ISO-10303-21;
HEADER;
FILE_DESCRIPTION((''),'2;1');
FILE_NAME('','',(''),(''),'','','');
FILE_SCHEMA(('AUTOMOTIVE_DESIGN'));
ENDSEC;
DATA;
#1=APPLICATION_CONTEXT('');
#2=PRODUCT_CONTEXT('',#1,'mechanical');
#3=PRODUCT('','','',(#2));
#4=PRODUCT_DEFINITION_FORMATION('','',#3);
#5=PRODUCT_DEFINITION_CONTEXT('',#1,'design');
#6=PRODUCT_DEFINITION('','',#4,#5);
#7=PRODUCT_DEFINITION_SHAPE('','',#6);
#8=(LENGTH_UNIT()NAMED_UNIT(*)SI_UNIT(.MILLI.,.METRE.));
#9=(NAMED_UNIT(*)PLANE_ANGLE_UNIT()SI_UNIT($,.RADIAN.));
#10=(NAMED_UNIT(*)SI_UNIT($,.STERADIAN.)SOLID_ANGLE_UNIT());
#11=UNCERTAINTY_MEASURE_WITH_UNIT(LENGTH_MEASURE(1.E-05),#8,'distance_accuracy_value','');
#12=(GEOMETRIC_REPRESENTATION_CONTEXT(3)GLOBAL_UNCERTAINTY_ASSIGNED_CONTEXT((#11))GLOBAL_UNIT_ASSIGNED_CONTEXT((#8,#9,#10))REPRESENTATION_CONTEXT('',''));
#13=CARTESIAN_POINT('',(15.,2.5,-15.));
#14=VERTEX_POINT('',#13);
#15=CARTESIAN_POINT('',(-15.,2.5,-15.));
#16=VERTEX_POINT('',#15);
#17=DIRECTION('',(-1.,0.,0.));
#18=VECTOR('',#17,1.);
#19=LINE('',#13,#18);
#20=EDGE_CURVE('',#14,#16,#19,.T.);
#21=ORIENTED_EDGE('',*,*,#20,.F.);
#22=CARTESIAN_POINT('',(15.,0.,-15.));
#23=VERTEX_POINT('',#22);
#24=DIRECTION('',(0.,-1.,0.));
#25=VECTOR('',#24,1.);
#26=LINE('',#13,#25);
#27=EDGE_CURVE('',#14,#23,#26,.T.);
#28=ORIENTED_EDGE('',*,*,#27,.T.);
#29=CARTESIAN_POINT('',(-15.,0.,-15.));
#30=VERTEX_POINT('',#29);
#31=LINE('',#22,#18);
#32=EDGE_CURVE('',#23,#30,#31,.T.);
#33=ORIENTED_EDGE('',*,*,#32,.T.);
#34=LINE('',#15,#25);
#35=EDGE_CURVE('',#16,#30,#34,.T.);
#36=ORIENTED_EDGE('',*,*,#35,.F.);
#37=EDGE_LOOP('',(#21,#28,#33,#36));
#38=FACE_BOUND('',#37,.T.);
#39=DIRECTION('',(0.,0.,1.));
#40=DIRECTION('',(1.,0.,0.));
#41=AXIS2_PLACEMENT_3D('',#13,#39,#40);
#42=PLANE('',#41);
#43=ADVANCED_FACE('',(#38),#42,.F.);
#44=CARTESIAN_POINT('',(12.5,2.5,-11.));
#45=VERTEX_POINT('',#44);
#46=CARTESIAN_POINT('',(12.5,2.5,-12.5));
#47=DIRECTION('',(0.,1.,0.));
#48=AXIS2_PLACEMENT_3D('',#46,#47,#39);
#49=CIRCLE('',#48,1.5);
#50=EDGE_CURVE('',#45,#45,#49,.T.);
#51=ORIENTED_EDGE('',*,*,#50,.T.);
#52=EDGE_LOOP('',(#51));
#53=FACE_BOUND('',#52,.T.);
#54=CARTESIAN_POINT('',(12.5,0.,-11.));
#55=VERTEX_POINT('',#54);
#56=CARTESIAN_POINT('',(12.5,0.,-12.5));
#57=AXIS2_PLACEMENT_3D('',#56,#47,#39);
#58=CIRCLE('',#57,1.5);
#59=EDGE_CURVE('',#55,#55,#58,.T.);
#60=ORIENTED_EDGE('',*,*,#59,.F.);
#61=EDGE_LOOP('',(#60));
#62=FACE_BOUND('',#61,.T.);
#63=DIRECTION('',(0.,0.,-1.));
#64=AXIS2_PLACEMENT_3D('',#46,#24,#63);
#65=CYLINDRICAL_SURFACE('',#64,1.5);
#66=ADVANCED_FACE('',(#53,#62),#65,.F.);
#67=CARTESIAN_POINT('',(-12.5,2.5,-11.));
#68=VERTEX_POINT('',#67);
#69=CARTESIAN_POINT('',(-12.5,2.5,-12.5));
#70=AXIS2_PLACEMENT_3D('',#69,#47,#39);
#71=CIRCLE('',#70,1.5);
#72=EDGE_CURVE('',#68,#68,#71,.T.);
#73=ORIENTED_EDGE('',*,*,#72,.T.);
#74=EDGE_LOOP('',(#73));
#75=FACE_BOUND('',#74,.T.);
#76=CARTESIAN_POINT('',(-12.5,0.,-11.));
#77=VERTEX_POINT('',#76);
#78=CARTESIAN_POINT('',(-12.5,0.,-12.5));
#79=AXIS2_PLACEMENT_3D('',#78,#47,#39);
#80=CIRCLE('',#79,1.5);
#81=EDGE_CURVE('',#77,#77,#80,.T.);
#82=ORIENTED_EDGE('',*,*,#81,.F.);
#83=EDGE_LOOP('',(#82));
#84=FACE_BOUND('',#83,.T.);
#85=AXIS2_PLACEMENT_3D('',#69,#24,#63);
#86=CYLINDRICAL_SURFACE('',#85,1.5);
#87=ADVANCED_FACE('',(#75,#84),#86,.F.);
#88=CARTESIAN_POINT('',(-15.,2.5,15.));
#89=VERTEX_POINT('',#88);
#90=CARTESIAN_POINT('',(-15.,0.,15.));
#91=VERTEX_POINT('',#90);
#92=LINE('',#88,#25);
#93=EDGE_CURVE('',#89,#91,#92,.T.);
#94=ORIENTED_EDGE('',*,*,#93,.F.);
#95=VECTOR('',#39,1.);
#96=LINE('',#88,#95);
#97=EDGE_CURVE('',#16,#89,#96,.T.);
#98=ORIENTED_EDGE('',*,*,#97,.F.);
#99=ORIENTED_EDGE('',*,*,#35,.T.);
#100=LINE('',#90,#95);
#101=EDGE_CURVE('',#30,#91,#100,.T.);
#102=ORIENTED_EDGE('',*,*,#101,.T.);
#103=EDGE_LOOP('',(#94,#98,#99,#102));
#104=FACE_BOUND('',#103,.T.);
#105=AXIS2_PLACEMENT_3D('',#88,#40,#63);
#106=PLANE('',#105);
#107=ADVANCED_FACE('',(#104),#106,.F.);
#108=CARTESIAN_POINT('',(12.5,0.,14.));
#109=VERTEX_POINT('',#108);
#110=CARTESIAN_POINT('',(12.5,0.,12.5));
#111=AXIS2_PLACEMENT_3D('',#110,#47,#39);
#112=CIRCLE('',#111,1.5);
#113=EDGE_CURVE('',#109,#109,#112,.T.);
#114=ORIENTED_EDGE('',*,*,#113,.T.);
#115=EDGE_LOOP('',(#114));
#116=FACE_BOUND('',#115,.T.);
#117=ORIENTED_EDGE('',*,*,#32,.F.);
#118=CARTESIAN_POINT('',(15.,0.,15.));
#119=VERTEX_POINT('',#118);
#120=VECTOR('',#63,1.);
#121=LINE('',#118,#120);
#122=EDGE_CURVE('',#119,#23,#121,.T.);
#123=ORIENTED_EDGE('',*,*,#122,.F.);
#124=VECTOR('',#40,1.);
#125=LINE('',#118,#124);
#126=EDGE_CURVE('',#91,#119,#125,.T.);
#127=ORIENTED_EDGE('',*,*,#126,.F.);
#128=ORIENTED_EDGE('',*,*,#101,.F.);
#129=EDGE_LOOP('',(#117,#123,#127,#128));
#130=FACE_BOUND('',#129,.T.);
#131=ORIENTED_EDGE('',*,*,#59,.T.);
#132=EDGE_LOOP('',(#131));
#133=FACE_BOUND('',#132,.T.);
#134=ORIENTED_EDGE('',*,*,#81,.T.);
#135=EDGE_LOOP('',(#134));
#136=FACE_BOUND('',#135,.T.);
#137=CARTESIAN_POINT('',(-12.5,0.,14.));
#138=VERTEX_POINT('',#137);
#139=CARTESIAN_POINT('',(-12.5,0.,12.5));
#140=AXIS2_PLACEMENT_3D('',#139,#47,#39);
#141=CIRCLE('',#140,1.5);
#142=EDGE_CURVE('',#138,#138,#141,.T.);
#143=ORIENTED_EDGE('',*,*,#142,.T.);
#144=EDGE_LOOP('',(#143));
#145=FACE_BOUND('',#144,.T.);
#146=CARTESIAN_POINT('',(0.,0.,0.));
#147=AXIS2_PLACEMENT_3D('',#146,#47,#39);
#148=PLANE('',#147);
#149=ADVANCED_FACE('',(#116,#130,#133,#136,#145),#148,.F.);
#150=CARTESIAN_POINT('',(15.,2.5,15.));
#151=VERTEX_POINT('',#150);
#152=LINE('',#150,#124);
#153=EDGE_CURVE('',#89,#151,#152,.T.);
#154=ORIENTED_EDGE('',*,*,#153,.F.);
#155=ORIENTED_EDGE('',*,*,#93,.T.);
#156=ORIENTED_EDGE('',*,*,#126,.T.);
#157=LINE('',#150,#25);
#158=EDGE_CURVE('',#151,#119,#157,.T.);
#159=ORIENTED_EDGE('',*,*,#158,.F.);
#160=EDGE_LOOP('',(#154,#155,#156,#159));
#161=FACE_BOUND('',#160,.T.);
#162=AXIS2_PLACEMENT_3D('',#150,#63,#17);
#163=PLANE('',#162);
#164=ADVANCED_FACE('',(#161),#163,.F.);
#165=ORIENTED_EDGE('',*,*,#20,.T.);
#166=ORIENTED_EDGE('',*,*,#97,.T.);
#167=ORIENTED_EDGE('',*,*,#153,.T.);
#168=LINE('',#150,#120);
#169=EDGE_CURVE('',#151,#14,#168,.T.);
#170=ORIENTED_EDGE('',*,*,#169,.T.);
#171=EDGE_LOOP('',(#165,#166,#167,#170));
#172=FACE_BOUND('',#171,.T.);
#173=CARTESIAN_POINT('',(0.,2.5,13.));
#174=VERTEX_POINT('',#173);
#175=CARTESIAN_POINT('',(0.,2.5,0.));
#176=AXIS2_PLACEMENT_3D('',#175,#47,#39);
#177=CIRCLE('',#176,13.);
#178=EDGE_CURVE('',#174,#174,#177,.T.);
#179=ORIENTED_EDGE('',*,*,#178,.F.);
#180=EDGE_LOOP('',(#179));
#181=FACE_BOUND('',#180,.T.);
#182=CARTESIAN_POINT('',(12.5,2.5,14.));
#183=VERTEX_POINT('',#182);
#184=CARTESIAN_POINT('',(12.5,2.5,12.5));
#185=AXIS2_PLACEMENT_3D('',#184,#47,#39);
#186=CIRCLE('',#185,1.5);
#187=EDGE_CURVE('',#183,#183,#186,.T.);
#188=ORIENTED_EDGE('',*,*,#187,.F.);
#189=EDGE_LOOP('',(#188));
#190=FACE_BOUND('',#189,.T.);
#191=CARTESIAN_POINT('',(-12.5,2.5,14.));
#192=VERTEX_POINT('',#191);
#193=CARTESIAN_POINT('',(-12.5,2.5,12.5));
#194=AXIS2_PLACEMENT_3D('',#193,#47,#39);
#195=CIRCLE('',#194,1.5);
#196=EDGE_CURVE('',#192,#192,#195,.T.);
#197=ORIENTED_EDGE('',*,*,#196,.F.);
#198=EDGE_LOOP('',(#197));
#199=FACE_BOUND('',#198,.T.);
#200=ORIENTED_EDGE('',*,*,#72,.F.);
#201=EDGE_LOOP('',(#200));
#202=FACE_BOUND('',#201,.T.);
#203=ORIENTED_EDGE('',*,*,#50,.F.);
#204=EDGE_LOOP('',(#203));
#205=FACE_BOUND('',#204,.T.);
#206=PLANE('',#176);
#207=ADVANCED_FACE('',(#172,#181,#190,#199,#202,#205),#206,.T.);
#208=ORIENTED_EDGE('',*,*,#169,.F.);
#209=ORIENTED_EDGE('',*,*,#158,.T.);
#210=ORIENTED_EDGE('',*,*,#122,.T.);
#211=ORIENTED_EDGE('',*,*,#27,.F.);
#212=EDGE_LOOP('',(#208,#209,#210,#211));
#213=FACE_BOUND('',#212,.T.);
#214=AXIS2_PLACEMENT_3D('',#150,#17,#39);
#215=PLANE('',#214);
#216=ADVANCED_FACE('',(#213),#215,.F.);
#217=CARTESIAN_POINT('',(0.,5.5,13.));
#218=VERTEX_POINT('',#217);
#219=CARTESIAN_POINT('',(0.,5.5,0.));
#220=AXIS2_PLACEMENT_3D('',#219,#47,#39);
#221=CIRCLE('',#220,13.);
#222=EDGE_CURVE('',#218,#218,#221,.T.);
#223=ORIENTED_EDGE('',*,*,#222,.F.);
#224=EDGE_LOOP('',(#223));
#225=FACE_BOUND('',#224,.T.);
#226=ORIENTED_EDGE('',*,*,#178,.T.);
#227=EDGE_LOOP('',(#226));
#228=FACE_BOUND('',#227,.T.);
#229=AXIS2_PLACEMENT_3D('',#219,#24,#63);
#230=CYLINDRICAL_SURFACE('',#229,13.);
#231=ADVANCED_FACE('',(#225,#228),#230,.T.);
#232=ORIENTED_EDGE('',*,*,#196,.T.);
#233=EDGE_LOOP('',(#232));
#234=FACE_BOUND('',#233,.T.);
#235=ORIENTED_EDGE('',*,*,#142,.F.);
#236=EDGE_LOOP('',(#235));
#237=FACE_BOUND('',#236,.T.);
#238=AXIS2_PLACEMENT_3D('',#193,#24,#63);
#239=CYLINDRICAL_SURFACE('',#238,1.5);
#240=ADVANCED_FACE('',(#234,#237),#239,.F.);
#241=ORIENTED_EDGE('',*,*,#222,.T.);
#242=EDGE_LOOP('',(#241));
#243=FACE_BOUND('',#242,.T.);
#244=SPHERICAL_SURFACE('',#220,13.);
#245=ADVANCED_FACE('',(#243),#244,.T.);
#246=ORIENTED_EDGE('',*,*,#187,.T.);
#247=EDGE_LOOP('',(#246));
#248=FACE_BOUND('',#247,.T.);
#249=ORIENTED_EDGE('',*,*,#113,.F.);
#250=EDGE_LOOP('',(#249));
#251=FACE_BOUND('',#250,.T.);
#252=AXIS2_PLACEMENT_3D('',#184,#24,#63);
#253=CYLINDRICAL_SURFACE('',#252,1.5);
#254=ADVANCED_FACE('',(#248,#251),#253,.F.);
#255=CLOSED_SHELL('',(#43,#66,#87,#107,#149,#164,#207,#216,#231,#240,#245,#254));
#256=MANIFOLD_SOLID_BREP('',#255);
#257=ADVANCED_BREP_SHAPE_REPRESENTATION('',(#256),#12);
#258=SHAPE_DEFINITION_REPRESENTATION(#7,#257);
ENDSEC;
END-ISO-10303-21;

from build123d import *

# Parameters (mm, degrees)
SKETCH_1_W      = 30
SKETCH_1_H      = 30
SKETCH_1_R      = 1.5
EXTRUDE_1_DEPTH = 2.5
SKETCH_2_R      = 13
EXTRUDE_2_DEPTH = 3
REVOLVE_1_ANGLE = 180


with BuildPart() as part:
    # Эскиз1 → Бобышка-Вытянуть1 (new body)
    with BuildSketch(Plane(origin=(0, 0, 0), x_dir=(1, 0, 0), z_dir=(0, 1, 0))):
        Rectangle(SKETCH_1_W, SKETCH_1_H)
        with Locations(Location((-12.5, 12.5, 0), (0, 0, 270))):
            Circle(SKETCH_1_R, mode=Mode.SUBTRACT)
        with Locations(Location((12.5, 12.5, 0), (0, 0, 270))):
            Circle(SKETCH_1_R, mode=Mode.SUBTRACT)
        with Locations(Location((-12.5, -12.5, 0), (0, 0, 270))):
            Circle(SKETCH_1_R, mode=Mode.SUBTRACT)
        with Locations(Location((12.5, -12.5, 0), (0, 0, 270))):
            Circle(SKETCH_1_R, mode=Mode.SUBTRACT)
    extrude(amount=EXTRUDE_1_DEPTH)

    # Эскиз2 → Бобышка-Вытянуть2 (add)
    with BuildSketch(Plane(origin=(0, 2.5, 0), x_dir=(1, 0, 0), z_dir=(0, 1, 0))):
        with Locations(Location((0, 0, 0), (0, 0, 270))):
            Circle(SKETCH_2_R)
    extrude(amount=EXTRUDE_2_DEPTH)

    # Эскиз3 → Повернуть1 (revolve)
    with BuildSketch(Plane(origin=(0, 5.5, 0), x_dir=(1, 0, 0), z_dir=(0, 1, 0))):
        with BuildLine():
            Line((0, 13), (0, -13))
            ThreePointArc((0, -13), (-13, 0), (0, 13))
        make_face()
    revolve(axis=Axis((0, 5.5, -13), (0, 0, -1)), revolution_arc=REVOLVE_1_ANGLE)


solid = part.part
